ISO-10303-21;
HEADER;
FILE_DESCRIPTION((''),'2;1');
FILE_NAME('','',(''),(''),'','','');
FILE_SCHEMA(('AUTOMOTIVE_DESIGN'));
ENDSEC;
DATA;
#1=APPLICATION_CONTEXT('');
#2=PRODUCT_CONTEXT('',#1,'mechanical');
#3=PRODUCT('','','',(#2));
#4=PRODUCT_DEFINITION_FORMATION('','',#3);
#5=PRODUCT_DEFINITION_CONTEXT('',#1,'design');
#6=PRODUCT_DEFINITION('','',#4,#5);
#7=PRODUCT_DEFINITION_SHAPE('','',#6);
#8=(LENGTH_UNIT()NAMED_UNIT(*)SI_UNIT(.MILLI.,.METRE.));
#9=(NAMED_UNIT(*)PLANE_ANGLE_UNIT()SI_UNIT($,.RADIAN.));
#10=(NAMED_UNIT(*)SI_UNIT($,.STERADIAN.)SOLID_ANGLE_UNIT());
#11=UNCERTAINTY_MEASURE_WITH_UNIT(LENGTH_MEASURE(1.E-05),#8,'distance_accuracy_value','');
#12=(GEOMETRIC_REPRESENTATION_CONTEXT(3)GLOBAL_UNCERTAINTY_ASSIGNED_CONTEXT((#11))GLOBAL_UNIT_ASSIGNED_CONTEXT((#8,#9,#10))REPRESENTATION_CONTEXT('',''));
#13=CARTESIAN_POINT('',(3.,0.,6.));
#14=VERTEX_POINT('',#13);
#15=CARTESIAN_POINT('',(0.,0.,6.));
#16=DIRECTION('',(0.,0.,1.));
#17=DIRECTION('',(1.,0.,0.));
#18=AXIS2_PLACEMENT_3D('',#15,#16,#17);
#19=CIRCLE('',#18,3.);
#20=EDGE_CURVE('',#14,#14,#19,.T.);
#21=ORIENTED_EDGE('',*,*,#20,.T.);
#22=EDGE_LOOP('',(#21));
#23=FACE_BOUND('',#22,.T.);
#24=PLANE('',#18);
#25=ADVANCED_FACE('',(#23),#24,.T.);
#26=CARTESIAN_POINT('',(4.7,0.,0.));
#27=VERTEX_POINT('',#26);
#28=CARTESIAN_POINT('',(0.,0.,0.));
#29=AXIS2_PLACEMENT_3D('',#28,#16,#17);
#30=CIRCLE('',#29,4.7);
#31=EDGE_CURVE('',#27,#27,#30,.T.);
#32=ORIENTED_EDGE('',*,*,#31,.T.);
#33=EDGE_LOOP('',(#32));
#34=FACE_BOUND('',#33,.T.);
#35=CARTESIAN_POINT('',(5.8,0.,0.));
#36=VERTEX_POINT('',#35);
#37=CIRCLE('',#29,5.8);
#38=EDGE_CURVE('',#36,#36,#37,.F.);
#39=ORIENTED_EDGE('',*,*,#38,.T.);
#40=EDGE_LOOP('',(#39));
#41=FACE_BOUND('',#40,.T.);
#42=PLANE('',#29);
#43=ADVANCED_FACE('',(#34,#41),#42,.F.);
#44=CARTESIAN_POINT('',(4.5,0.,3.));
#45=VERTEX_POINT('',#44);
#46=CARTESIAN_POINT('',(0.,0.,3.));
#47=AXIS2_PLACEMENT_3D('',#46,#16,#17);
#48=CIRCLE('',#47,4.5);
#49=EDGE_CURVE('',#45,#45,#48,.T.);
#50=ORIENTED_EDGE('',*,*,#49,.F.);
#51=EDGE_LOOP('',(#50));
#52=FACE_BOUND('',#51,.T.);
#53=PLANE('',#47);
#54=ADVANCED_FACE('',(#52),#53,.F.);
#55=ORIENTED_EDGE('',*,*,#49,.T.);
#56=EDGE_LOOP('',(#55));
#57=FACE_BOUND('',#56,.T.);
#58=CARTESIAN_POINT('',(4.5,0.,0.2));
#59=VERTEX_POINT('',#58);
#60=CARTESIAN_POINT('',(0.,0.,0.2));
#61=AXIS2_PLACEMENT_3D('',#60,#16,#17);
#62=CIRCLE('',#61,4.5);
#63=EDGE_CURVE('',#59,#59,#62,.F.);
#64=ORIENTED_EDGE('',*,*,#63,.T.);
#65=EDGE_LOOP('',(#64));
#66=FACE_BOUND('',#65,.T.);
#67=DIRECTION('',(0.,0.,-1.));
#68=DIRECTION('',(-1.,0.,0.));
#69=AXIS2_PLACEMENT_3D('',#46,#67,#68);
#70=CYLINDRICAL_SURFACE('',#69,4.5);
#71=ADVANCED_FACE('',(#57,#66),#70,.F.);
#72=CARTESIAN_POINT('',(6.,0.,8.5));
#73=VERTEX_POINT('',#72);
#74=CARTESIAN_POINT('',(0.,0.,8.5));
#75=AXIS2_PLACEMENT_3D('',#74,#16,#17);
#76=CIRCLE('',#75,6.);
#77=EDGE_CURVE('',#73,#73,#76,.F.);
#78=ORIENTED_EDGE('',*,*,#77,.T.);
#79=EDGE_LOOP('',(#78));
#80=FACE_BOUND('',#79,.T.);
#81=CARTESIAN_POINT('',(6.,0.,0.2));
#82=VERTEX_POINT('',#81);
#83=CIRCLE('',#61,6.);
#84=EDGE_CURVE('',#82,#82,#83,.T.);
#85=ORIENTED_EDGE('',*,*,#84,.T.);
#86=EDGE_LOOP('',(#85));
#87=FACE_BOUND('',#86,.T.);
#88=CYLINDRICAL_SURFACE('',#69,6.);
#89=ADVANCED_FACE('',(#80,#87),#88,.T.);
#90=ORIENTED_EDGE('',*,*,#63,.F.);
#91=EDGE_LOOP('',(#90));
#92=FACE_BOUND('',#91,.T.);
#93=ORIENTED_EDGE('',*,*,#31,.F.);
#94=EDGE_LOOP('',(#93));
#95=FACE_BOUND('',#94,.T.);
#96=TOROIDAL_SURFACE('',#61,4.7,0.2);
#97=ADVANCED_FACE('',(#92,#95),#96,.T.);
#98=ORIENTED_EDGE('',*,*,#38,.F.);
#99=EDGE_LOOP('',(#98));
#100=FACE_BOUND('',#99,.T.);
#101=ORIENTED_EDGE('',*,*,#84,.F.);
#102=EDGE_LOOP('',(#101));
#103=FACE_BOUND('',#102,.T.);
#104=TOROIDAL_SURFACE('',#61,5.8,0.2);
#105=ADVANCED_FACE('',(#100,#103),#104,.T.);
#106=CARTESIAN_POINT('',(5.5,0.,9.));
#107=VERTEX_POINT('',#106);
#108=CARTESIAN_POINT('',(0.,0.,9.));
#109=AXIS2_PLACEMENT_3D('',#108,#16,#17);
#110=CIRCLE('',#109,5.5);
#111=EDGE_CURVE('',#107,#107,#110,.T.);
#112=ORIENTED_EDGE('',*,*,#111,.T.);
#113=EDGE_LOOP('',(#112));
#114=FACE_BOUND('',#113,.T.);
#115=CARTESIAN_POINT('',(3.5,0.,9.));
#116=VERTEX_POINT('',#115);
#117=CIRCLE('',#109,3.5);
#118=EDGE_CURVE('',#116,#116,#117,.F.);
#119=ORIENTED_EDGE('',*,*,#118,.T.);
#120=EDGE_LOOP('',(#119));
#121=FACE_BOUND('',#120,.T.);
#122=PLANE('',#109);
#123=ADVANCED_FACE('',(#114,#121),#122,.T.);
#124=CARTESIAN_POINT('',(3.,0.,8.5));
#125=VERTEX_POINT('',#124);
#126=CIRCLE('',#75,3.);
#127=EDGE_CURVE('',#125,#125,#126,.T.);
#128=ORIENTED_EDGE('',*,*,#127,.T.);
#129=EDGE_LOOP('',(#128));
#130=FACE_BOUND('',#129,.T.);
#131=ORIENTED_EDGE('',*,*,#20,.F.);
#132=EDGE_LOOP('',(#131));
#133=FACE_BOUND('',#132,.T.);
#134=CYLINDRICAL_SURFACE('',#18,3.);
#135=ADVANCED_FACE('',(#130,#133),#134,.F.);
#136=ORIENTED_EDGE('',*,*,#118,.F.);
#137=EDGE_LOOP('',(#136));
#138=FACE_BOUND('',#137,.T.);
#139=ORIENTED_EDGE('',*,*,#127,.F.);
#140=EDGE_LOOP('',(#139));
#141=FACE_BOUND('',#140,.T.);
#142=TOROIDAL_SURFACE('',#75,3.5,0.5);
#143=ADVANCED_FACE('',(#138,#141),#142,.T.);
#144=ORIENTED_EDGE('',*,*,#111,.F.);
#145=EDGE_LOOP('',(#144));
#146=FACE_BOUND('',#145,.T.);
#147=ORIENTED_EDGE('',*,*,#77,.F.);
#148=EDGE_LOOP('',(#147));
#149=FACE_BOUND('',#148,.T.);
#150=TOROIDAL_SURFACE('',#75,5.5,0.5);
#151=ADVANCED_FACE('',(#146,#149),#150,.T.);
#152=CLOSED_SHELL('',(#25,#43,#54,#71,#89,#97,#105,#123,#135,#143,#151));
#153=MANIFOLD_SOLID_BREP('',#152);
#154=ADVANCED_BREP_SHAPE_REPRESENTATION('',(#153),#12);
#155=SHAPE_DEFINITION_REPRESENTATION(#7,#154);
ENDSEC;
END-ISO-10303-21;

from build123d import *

# Parameters (mm, degrees)
SKETCH_1_R          = 6
SKETCH_1_R_2        = 4.5
EXTRUDE_1_DEPTH     = 3
SKETCH_2_R          = 6
EXTRUDE_2_DEPTH     = 6
SKETCH_3_R          = 3
CUT_EXTRUDE_1_DEPTH = 3
FILLET_1_R          = 0.5
FILLET_2_R          = 0.5
FILLET_3_R          = 0.2


with BuildPart() as part:
    # 草图1 → 凸台-拉伸1 (new body)
    with BuildSketch(Plane.XY):
        Circle(SKETCH_1_R)
        Circle(SKETCH_1_R_2, mode=Mode.SUBTRACT)
    extrude(amount=EXTRUDE_1_DEPTH)

    # 草图2 → 凸台-拉伸2 (add)
    with BuildSketch(Plane.XY.offset(3)):
        Circle(SKETCH_2_R)
    extrude(amount=EXTRUDE_2_DEPTH)

    # 草图3 → 切除-拉伸1 (cut)
    with BuildSketch(Plane.XY.offset(9)):
        Circle(SKETCH_3_R)
    extrude(amount=-CUT_EXTRUDE_1_DEPTH, mode=Mode.SUBTRACT)

    # 圆角1
    fillet_1_edges = [part.edges().sort_by_distance(p)[0] for p in [
        (-3, 0, 9),
    ]]
    fillet(fillet_1_edges, radius=FILLET_1_R)

    # 圆角2
    fillet_2_edges = [part.edges().sort_by_distance(p)[0] for p in [
        (-6, 0, 9),
    ]]
    fillet(fillet_2_edges, radius=FILLET_2_R)

    # 圆角3
    fillet_3_edges = [part.edges().sort_by_distance(p)[0] for p in [
        (-6, 0, 0),
        (-4.5, 0, 0),
    ]]
    fillet(fillet_3_edges, radius=FILLET_3_R)


solid = part.part
